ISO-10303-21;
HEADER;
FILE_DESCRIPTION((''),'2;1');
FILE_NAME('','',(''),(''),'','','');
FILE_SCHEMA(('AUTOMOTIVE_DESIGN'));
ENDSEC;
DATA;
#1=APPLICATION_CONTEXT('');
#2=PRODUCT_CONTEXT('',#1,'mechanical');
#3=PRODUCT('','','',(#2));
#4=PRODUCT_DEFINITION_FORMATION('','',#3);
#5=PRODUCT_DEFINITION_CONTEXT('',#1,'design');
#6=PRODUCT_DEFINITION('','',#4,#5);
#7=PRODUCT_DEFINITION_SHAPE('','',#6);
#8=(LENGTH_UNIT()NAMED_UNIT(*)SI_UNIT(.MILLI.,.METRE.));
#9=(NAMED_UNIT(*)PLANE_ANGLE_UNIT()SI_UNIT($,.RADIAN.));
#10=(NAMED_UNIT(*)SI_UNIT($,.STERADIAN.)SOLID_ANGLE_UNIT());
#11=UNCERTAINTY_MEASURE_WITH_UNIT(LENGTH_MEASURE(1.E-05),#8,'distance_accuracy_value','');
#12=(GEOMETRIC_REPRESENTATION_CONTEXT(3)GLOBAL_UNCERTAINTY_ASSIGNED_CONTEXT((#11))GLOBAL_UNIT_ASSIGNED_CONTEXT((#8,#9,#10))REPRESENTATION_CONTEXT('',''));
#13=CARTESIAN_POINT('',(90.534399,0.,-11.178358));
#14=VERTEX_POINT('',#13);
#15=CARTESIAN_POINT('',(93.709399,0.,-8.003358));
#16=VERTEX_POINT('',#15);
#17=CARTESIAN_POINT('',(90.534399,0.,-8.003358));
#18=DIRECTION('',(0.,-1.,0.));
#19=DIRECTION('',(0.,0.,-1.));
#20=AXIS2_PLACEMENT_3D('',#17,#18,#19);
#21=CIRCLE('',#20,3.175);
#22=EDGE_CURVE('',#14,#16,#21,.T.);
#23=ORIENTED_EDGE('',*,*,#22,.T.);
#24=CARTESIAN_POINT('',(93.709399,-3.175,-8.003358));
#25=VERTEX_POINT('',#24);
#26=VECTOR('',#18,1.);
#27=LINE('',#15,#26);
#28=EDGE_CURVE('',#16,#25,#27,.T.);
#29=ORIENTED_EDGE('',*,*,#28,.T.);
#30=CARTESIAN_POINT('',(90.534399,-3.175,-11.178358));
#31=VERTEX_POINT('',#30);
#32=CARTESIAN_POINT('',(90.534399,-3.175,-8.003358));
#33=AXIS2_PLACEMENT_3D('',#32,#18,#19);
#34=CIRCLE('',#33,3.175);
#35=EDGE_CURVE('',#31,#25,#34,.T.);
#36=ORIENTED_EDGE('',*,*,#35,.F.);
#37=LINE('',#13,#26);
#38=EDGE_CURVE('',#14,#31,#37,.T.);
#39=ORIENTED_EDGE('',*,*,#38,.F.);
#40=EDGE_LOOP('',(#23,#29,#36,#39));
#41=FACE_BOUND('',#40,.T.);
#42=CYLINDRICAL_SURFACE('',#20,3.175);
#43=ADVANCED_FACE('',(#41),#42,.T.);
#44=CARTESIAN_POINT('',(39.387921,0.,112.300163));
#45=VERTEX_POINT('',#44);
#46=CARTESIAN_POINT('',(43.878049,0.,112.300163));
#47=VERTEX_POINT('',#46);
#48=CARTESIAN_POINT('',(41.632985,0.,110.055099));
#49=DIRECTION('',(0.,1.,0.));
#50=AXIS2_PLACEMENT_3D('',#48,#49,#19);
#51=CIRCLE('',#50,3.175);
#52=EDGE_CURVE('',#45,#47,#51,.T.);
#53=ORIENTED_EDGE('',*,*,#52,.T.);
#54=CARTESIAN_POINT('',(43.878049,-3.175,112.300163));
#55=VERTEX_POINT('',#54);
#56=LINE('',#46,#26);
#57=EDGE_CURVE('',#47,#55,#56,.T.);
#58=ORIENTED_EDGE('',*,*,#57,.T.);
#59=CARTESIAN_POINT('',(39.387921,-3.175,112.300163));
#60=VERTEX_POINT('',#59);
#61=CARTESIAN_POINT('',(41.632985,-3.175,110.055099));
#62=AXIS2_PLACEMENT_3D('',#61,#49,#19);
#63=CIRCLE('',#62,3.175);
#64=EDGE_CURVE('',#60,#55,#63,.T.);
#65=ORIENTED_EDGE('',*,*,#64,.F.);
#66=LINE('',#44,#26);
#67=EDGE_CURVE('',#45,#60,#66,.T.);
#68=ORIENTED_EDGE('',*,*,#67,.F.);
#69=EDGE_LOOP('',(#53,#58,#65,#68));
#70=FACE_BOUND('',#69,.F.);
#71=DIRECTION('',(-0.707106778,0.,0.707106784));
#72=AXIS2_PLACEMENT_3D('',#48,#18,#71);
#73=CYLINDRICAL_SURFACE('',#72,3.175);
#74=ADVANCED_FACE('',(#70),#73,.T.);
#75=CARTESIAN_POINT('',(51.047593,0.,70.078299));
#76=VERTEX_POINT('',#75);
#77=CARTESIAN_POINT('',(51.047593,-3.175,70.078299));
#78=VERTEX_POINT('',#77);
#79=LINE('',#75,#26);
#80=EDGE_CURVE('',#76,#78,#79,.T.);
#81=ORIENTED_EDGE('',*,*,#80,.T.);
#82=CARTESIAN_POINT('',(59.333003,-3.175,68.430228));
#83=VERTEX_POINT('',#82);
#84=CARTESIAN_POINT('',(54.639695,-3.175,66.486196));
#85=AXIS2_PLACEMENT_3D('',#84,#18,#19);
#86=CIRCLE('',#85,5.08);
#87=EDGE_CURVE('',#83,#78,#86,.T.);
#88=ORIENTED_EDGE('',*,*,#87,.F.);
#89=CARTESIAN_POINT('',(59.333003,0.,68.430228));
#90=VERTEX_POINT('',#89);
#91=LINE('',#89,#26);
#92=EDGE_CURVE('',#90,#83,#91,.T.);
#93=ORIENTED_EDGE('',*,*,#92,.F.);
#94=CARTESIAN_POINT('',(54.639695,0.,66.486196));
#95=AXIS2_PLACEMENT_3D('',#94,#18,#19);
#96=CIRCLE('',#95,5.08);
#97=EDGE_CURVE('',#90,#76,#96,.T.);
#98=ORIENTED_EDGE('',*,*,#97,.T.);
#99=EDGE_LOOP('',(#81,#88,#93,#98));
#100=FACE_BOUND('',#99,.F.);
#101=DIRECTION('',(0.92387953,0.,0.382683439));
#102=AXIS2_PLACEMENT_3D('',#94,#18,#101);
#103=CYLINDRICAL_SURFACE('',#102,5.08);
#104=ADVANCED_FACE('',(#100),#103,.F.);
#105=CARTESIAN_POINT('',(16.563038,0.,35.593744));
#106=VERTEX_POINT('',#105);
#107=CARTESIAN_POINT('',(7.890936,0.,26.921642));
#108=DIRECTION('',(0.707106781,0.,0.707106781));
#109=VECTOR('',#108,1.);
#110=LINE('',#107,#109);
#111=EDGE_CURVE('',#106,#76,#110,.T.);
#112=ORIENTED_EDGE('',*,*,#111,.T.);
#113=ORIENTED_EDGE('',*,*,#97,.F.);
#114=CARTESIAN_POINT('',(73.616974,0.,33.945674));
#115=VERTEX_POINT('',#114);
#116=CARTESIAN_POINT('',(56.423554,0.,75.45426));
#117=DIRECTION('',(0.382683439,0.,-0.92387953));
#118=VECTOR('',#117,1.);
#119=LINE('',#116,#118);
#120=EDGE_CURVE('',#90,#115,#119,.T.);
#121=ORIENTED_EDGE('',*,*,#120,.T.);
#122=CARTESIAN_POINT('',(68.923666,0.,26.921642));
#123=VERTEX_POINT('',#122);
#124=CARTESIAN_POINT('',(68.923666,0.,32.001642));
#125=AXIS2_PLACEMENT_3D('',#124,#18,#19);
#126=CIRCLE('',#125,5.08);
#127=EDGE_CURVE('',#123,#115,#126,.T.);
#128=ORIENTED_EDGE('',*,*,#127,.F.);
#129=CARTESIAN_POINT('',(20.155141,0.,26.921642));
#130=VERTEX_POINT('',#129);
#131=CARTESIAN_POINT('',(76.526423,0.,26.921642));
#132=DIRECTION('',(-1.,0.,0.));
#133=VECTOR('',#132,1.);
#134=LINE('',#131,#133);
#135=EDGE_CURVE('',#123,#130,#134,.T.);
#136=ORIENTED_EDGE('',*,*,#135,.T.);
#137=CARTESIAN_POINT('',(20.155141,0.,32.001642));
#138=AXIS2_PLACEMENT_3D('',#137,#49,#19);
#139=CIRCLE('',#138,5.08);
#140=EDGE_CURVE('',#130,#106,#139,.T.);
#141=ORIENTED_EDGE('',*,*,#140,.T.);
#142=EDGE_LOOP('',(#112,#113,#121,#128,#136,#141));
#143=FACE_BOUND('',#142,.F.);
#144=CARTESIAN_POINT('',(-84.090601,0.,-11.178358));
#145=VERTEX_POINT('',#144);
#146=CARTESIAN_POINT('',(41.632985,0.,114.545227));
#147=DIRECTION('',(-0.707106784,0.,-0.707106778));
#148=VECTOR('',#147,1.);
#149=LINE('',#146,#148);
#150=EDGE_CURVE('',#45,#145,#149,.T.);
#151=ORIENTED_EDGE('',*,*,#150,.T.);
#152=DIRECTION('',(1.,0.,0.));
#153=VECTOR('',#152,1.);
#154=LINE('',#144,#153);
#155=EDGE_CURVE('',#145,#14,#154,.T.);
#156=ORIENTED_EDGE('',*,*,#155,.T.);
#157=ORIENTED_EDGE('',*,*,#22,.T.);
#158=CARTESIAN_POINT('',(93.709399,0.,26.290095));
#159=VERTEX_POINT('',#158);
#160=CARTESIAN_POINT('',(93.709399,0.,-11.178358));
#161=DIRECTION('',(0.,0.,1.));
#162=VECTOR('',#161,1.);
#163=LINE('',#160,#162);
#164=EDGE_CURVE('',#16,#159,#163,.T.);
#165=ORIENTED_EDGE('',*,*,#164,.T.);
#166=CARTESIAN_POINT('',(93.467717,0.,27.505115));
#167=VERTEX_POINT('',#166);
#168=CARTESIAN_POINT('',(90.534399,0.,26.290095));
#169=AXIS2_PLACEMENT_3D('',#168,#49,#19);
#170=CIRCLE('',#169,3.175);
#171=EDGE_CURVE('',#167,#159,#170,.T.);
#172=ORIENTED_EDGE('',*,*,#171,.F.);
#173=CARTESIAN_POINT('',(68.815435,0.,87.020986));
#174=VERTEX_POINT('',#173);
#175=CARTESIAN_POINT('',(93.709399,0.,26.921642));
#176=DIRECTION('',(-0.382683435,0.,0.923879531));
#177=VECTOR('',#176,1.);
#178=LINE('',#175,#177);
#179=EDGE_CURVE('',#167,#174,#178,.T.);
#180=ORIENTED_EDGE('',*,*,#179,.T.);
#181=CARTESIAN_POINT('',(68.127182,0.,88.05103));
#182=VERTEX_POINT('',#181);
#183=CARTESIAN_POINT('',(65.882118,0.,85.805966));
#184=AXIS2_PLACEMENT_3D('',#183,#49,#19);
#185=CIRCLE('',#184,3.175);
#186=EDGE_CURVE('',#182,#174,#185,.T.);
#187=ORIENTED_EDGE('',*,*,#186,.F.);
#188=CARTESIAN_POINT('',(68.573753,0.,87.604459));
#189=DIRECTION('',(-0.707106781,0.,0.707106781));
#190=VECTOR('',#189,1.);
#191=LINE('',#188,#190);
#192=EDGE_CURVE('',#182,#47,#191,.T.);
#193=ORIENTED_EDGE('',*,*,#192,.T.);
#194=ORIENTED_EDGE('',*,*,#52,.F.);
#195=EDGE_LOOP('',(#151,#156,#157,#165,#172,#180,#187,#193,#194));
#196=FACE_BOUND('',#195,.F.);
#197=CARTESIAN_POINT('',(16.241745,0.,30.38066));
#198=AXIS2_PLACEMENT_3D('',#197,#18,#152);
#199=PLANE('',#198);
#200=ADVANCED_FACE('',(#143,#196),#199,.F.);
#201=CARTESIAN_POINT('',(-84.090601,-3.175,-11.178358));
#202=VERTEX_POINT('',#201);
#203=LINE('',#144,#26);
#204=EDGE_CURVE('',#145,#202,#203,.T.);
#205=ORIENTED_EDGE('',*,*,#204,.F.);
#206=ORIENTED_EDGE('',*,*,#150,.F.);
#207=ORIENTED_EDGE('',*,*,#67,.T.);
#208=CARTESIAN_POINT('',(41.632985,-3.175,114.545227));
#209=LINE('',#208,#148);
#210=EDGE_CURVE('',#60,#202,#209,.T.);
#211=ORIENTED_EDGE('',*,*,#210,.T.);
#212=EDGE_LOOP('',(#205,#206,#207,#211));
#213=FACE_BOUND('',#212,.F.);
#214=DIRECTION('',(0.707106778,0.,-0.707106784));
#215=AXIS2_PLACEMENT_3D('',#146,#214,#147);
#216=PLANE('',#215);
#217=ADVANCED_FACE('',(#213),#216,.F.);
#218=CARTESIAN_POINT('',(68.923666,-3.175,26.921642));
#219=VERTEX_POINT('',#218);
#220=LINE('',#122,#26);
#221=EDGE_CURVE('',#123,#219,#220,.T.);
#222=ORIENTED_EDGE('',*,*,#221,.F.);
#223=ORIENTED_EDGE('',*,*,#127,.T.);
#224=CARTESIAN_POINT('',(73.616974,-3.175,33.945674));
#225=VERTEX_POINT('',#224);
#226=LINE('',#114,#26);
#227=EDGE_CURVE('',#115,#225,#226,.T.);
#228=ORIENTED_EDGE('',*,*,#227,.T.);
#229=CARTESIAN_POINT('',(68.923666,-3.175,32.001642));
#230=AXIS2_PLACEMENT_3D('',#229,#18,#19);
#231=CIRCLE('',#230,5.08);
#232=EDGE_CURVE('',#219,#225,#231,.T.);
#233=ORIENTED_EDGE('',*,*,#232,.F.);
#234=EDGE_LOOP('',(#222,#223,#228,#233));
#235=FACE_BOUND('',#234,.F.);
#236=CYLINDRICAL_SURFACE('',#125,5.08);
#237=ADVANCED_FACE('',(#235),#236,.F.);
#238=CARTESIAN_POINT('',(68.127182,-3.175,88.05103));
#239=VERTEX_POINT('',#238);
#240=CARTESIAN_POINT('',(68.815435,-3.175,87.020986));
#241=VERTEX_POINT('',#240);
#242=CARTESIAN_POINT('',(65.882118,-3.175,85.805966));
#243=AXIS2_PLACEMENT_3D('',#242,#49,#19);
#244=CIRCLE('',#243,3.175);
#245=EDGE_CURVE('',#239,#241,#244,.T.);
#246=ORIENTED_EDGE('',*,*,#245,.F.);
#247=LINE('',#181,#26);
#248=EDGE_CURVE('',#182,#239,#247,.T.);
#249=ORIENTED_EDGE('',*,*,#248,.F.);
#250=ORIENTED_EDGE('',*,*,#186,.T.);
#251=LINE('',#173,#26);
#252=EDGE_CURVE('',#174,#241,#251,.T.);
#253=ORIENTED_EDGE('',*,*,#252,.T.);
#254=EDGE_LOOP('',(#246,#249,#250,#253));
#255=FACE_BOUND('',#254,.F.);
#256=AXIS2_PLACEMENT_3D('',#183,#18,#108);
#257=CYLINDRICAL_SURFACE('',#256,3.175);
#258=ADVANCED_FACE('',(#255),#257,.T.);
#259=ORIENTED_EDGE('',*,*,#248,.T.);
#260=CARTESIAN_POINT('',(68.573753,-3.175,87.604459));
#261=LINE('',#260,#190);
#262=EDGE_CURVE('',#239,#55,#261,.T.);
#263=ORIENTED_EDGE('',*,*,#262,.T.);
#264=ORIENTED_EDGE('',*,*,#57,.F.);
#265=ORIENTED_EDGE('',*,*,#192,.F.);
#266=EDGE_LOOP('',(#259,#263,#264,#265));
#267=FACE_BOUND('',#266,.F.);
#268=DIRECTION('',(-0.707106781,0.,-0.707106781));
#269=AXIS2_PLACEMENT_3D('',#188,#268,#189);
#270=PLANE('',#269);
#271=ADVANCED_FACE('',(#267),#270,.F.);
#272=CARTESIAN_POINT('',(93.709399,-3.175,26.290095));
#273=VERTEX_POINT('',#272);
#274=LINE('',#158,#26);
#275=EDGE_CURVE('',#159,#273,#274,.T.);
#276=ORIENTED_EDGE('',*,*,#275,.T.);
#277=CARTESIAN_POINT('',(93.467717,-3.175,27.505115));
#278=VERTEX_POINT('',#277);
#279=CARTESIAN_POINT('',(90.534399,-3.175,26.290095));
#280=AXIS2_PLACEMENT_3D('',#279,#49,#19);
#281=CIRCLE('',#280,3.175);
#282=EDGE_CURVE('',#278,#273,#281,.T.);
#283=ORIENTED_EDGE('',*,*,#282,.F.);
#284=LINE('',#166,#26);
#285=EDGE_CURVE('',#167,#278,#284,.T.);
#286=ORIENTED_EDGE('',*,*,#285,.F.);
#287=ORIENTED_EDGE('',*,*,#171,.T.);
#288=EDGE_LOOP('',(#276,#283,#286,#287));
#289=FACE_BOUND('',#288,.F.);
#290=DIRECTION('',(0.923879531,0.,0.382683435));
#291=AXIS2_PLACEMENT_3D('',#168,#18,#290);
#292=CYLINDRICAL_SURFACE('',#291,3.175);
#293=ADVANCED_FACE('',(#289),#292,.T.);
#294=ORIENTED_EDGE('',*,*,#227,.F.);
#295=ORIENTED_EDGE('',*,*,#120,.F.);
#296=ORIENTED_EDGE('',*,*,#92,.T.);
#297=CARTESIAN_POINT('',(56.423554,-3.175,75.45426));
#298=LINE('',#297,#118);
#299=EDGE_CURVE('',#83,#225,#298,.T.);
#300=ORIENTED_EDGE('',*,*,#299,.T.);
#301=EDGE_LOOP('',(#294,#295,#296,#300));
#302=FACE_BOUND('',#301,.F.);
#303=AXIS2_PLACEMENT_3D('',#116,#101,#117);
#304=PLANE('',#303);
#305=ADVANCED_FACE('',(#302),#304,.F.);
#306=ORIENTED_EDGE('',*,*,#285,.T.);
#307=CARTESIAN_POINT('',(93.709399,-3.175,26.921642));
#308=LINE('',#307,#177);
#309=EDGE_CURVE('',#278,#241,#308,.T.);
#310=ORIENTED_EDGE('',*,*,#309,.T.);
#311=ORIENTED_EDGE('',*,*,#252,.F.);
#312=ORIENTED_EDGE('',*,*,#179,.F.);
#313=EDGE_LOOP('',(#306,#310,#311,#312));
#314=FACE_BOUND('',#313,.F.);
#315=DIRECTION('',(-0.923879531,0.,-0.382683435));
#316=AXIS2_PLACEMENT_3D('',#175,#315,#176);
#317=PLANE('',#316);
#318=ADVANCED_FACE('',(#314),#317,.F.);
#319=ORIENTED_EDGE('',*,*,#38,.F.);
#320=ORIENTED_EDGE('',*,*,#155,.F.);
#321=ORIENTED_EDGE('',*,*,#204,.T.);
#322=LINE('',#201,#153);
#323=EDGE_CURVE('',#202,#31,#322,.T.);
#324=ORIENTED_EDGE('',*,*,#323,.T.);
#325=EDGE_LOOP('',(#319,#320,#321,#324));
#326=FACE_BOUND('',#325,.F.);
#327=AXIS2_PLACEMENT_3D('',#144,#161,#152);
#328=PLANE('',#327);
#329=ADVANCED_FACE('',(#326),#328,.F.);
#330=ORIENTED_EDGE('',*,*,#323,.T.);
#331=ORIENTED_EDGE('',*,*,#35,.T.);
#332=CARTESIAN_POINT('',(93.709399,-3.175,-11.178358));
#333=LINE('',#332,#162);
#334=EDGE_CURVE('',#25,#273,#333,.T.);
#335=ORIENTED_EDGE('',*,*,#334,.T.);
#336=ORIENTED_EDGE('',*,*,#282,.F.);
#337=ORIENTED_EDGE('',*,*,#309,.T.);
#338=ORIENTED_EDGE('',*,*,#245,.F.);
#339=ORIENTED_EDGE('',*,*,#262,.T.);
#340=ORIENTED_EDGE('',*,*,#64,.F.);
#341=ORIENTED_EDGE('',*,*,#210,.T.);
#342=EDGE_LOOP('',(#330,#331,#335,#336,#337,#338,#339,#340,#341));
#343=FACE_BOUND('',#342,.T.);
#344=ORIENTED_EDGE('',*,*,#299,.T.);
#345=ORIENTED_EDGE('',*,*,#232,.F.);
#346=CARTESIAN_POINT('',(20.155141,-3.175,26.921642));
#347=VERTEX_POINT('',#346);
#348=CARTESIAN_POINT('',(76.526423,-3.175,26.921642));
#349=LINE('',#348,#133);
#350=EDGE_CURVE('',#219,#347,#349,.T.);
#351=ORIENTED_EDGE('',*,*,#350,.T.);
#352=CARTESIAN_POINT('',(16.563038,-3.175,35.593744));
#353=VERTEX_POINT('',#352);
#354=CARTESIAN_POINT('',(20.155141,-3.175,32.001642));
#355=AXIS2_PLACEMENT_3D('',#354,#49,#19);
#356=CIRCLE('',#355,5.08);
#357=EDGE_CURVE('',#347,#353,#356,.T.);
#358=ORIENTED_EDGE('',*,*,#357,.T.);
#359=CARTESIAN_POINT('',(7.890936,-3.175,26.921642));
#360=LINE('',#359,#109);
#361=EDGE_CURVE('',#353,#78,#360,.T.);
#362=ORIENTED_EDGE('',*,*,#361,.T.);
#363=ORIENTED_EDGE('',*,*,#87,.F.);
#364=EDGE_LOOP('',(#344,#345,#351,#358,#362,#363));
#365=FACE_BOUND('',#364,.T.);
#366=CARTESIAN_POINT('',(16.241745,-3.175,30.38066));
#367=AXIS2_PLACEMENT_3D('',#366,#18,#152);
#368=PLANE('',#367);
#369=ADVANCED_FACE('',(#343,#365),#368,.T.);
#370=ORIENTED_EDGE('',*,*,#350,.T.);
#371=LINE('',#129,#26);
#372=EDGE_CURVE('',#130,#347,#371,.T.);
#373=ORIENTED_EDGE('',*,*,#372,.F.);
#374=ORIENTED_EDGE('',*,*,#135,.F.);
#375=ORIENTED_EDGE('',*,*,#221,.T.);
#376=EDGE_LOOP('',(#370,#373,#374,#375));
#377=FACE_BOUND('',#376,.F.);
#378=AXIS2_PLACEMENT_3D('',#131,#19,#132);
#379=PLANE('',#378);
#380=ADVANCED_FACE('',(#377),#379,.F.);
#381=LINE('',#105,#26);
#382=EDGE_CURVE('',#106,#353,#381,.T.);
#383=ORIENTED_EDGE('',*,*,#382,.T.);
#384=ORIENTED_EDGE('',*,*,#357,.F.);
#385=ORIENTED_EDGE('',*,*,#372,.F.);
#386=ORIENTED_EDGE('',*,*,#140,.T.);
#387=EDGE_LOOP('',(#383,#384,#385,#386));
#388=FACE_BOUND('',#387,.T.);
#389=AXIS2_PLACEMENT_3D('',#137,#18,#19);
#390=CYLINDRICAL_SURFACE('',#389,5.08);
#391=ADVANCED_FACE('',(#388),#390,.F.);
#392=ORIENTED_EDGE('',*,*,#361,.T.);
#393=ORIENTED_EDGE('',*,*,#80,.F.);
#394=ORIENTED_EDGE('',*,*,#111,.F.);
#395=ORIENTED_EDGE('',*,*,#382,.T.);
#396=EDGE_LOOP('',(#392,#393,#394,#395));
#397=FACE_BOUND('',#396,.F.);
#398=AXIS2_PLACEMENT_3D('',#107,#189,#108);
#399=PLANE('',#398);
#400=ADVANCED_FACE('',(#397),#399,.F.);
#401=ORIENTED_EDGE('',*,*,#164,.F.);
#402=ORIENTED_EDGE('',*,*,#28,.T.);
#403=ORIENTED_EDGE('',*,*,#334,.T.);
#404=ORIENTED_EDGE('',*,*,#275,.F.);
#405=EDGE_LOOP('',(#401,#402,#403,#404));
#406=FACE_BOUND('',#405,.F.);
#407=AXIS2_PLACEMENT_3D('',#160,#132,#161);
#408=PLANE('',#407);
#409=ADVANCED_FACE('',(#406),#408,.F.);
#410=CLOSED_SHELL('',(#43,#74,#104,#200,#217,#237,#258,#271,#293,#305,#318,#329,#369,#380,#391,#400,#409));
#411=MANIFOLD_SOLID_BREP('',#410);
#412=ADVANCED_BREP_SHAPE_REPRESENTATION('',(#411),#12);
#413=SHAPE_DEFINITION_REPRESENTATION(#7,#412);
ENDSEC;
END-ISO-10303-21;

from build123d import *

# Parameters (mm, degrees)
F1_DEPTH = 3.175
F2_R     = 5.08
F3_R     = 3.175


with BuildPart() as f1:
    # F0 (on Front) → F1 (new body)
    with BuildSketch(Plane.XZ):
        Polygon((41.632985, 114.545227), (-84.090601, -11.178358), (93.709399, -11.178358), (93.709399, 26.921642), (68.573753, 87.604459), align=None)
        Polygon((7.890936, 26.921642), (56.423554, 75.45426), (76.526423, 26.921642), align=None, mode=Mode.SUBTRACT)
    extrude(amount=F1_DEPTH)

    # F2
    f2_edges = [f1.edges().sort_by_distance(p)[0] for p in [
        (7.890936, -1.5875, 26.921642),
        (76.526423, -1.5875, 26.921642),
        (56.423554, -1.5875, 75.45426),
    ]]
    fillet(f2_edges, radius=F2_R)

    # F3
    f3_edges = [f1.edges().sort_by_distance(p)[0] for p in [
        (41.632985, -1.5875, 114.545227),
        (68.573753, -1.5875, 87.604459),
        (93.709399, -1.5875, 26.921642),
        (93.709399, -1.5875, -11.178358),
    ]]
    fillet(f3_edges, radius=F3_R)


solid = f1.part
